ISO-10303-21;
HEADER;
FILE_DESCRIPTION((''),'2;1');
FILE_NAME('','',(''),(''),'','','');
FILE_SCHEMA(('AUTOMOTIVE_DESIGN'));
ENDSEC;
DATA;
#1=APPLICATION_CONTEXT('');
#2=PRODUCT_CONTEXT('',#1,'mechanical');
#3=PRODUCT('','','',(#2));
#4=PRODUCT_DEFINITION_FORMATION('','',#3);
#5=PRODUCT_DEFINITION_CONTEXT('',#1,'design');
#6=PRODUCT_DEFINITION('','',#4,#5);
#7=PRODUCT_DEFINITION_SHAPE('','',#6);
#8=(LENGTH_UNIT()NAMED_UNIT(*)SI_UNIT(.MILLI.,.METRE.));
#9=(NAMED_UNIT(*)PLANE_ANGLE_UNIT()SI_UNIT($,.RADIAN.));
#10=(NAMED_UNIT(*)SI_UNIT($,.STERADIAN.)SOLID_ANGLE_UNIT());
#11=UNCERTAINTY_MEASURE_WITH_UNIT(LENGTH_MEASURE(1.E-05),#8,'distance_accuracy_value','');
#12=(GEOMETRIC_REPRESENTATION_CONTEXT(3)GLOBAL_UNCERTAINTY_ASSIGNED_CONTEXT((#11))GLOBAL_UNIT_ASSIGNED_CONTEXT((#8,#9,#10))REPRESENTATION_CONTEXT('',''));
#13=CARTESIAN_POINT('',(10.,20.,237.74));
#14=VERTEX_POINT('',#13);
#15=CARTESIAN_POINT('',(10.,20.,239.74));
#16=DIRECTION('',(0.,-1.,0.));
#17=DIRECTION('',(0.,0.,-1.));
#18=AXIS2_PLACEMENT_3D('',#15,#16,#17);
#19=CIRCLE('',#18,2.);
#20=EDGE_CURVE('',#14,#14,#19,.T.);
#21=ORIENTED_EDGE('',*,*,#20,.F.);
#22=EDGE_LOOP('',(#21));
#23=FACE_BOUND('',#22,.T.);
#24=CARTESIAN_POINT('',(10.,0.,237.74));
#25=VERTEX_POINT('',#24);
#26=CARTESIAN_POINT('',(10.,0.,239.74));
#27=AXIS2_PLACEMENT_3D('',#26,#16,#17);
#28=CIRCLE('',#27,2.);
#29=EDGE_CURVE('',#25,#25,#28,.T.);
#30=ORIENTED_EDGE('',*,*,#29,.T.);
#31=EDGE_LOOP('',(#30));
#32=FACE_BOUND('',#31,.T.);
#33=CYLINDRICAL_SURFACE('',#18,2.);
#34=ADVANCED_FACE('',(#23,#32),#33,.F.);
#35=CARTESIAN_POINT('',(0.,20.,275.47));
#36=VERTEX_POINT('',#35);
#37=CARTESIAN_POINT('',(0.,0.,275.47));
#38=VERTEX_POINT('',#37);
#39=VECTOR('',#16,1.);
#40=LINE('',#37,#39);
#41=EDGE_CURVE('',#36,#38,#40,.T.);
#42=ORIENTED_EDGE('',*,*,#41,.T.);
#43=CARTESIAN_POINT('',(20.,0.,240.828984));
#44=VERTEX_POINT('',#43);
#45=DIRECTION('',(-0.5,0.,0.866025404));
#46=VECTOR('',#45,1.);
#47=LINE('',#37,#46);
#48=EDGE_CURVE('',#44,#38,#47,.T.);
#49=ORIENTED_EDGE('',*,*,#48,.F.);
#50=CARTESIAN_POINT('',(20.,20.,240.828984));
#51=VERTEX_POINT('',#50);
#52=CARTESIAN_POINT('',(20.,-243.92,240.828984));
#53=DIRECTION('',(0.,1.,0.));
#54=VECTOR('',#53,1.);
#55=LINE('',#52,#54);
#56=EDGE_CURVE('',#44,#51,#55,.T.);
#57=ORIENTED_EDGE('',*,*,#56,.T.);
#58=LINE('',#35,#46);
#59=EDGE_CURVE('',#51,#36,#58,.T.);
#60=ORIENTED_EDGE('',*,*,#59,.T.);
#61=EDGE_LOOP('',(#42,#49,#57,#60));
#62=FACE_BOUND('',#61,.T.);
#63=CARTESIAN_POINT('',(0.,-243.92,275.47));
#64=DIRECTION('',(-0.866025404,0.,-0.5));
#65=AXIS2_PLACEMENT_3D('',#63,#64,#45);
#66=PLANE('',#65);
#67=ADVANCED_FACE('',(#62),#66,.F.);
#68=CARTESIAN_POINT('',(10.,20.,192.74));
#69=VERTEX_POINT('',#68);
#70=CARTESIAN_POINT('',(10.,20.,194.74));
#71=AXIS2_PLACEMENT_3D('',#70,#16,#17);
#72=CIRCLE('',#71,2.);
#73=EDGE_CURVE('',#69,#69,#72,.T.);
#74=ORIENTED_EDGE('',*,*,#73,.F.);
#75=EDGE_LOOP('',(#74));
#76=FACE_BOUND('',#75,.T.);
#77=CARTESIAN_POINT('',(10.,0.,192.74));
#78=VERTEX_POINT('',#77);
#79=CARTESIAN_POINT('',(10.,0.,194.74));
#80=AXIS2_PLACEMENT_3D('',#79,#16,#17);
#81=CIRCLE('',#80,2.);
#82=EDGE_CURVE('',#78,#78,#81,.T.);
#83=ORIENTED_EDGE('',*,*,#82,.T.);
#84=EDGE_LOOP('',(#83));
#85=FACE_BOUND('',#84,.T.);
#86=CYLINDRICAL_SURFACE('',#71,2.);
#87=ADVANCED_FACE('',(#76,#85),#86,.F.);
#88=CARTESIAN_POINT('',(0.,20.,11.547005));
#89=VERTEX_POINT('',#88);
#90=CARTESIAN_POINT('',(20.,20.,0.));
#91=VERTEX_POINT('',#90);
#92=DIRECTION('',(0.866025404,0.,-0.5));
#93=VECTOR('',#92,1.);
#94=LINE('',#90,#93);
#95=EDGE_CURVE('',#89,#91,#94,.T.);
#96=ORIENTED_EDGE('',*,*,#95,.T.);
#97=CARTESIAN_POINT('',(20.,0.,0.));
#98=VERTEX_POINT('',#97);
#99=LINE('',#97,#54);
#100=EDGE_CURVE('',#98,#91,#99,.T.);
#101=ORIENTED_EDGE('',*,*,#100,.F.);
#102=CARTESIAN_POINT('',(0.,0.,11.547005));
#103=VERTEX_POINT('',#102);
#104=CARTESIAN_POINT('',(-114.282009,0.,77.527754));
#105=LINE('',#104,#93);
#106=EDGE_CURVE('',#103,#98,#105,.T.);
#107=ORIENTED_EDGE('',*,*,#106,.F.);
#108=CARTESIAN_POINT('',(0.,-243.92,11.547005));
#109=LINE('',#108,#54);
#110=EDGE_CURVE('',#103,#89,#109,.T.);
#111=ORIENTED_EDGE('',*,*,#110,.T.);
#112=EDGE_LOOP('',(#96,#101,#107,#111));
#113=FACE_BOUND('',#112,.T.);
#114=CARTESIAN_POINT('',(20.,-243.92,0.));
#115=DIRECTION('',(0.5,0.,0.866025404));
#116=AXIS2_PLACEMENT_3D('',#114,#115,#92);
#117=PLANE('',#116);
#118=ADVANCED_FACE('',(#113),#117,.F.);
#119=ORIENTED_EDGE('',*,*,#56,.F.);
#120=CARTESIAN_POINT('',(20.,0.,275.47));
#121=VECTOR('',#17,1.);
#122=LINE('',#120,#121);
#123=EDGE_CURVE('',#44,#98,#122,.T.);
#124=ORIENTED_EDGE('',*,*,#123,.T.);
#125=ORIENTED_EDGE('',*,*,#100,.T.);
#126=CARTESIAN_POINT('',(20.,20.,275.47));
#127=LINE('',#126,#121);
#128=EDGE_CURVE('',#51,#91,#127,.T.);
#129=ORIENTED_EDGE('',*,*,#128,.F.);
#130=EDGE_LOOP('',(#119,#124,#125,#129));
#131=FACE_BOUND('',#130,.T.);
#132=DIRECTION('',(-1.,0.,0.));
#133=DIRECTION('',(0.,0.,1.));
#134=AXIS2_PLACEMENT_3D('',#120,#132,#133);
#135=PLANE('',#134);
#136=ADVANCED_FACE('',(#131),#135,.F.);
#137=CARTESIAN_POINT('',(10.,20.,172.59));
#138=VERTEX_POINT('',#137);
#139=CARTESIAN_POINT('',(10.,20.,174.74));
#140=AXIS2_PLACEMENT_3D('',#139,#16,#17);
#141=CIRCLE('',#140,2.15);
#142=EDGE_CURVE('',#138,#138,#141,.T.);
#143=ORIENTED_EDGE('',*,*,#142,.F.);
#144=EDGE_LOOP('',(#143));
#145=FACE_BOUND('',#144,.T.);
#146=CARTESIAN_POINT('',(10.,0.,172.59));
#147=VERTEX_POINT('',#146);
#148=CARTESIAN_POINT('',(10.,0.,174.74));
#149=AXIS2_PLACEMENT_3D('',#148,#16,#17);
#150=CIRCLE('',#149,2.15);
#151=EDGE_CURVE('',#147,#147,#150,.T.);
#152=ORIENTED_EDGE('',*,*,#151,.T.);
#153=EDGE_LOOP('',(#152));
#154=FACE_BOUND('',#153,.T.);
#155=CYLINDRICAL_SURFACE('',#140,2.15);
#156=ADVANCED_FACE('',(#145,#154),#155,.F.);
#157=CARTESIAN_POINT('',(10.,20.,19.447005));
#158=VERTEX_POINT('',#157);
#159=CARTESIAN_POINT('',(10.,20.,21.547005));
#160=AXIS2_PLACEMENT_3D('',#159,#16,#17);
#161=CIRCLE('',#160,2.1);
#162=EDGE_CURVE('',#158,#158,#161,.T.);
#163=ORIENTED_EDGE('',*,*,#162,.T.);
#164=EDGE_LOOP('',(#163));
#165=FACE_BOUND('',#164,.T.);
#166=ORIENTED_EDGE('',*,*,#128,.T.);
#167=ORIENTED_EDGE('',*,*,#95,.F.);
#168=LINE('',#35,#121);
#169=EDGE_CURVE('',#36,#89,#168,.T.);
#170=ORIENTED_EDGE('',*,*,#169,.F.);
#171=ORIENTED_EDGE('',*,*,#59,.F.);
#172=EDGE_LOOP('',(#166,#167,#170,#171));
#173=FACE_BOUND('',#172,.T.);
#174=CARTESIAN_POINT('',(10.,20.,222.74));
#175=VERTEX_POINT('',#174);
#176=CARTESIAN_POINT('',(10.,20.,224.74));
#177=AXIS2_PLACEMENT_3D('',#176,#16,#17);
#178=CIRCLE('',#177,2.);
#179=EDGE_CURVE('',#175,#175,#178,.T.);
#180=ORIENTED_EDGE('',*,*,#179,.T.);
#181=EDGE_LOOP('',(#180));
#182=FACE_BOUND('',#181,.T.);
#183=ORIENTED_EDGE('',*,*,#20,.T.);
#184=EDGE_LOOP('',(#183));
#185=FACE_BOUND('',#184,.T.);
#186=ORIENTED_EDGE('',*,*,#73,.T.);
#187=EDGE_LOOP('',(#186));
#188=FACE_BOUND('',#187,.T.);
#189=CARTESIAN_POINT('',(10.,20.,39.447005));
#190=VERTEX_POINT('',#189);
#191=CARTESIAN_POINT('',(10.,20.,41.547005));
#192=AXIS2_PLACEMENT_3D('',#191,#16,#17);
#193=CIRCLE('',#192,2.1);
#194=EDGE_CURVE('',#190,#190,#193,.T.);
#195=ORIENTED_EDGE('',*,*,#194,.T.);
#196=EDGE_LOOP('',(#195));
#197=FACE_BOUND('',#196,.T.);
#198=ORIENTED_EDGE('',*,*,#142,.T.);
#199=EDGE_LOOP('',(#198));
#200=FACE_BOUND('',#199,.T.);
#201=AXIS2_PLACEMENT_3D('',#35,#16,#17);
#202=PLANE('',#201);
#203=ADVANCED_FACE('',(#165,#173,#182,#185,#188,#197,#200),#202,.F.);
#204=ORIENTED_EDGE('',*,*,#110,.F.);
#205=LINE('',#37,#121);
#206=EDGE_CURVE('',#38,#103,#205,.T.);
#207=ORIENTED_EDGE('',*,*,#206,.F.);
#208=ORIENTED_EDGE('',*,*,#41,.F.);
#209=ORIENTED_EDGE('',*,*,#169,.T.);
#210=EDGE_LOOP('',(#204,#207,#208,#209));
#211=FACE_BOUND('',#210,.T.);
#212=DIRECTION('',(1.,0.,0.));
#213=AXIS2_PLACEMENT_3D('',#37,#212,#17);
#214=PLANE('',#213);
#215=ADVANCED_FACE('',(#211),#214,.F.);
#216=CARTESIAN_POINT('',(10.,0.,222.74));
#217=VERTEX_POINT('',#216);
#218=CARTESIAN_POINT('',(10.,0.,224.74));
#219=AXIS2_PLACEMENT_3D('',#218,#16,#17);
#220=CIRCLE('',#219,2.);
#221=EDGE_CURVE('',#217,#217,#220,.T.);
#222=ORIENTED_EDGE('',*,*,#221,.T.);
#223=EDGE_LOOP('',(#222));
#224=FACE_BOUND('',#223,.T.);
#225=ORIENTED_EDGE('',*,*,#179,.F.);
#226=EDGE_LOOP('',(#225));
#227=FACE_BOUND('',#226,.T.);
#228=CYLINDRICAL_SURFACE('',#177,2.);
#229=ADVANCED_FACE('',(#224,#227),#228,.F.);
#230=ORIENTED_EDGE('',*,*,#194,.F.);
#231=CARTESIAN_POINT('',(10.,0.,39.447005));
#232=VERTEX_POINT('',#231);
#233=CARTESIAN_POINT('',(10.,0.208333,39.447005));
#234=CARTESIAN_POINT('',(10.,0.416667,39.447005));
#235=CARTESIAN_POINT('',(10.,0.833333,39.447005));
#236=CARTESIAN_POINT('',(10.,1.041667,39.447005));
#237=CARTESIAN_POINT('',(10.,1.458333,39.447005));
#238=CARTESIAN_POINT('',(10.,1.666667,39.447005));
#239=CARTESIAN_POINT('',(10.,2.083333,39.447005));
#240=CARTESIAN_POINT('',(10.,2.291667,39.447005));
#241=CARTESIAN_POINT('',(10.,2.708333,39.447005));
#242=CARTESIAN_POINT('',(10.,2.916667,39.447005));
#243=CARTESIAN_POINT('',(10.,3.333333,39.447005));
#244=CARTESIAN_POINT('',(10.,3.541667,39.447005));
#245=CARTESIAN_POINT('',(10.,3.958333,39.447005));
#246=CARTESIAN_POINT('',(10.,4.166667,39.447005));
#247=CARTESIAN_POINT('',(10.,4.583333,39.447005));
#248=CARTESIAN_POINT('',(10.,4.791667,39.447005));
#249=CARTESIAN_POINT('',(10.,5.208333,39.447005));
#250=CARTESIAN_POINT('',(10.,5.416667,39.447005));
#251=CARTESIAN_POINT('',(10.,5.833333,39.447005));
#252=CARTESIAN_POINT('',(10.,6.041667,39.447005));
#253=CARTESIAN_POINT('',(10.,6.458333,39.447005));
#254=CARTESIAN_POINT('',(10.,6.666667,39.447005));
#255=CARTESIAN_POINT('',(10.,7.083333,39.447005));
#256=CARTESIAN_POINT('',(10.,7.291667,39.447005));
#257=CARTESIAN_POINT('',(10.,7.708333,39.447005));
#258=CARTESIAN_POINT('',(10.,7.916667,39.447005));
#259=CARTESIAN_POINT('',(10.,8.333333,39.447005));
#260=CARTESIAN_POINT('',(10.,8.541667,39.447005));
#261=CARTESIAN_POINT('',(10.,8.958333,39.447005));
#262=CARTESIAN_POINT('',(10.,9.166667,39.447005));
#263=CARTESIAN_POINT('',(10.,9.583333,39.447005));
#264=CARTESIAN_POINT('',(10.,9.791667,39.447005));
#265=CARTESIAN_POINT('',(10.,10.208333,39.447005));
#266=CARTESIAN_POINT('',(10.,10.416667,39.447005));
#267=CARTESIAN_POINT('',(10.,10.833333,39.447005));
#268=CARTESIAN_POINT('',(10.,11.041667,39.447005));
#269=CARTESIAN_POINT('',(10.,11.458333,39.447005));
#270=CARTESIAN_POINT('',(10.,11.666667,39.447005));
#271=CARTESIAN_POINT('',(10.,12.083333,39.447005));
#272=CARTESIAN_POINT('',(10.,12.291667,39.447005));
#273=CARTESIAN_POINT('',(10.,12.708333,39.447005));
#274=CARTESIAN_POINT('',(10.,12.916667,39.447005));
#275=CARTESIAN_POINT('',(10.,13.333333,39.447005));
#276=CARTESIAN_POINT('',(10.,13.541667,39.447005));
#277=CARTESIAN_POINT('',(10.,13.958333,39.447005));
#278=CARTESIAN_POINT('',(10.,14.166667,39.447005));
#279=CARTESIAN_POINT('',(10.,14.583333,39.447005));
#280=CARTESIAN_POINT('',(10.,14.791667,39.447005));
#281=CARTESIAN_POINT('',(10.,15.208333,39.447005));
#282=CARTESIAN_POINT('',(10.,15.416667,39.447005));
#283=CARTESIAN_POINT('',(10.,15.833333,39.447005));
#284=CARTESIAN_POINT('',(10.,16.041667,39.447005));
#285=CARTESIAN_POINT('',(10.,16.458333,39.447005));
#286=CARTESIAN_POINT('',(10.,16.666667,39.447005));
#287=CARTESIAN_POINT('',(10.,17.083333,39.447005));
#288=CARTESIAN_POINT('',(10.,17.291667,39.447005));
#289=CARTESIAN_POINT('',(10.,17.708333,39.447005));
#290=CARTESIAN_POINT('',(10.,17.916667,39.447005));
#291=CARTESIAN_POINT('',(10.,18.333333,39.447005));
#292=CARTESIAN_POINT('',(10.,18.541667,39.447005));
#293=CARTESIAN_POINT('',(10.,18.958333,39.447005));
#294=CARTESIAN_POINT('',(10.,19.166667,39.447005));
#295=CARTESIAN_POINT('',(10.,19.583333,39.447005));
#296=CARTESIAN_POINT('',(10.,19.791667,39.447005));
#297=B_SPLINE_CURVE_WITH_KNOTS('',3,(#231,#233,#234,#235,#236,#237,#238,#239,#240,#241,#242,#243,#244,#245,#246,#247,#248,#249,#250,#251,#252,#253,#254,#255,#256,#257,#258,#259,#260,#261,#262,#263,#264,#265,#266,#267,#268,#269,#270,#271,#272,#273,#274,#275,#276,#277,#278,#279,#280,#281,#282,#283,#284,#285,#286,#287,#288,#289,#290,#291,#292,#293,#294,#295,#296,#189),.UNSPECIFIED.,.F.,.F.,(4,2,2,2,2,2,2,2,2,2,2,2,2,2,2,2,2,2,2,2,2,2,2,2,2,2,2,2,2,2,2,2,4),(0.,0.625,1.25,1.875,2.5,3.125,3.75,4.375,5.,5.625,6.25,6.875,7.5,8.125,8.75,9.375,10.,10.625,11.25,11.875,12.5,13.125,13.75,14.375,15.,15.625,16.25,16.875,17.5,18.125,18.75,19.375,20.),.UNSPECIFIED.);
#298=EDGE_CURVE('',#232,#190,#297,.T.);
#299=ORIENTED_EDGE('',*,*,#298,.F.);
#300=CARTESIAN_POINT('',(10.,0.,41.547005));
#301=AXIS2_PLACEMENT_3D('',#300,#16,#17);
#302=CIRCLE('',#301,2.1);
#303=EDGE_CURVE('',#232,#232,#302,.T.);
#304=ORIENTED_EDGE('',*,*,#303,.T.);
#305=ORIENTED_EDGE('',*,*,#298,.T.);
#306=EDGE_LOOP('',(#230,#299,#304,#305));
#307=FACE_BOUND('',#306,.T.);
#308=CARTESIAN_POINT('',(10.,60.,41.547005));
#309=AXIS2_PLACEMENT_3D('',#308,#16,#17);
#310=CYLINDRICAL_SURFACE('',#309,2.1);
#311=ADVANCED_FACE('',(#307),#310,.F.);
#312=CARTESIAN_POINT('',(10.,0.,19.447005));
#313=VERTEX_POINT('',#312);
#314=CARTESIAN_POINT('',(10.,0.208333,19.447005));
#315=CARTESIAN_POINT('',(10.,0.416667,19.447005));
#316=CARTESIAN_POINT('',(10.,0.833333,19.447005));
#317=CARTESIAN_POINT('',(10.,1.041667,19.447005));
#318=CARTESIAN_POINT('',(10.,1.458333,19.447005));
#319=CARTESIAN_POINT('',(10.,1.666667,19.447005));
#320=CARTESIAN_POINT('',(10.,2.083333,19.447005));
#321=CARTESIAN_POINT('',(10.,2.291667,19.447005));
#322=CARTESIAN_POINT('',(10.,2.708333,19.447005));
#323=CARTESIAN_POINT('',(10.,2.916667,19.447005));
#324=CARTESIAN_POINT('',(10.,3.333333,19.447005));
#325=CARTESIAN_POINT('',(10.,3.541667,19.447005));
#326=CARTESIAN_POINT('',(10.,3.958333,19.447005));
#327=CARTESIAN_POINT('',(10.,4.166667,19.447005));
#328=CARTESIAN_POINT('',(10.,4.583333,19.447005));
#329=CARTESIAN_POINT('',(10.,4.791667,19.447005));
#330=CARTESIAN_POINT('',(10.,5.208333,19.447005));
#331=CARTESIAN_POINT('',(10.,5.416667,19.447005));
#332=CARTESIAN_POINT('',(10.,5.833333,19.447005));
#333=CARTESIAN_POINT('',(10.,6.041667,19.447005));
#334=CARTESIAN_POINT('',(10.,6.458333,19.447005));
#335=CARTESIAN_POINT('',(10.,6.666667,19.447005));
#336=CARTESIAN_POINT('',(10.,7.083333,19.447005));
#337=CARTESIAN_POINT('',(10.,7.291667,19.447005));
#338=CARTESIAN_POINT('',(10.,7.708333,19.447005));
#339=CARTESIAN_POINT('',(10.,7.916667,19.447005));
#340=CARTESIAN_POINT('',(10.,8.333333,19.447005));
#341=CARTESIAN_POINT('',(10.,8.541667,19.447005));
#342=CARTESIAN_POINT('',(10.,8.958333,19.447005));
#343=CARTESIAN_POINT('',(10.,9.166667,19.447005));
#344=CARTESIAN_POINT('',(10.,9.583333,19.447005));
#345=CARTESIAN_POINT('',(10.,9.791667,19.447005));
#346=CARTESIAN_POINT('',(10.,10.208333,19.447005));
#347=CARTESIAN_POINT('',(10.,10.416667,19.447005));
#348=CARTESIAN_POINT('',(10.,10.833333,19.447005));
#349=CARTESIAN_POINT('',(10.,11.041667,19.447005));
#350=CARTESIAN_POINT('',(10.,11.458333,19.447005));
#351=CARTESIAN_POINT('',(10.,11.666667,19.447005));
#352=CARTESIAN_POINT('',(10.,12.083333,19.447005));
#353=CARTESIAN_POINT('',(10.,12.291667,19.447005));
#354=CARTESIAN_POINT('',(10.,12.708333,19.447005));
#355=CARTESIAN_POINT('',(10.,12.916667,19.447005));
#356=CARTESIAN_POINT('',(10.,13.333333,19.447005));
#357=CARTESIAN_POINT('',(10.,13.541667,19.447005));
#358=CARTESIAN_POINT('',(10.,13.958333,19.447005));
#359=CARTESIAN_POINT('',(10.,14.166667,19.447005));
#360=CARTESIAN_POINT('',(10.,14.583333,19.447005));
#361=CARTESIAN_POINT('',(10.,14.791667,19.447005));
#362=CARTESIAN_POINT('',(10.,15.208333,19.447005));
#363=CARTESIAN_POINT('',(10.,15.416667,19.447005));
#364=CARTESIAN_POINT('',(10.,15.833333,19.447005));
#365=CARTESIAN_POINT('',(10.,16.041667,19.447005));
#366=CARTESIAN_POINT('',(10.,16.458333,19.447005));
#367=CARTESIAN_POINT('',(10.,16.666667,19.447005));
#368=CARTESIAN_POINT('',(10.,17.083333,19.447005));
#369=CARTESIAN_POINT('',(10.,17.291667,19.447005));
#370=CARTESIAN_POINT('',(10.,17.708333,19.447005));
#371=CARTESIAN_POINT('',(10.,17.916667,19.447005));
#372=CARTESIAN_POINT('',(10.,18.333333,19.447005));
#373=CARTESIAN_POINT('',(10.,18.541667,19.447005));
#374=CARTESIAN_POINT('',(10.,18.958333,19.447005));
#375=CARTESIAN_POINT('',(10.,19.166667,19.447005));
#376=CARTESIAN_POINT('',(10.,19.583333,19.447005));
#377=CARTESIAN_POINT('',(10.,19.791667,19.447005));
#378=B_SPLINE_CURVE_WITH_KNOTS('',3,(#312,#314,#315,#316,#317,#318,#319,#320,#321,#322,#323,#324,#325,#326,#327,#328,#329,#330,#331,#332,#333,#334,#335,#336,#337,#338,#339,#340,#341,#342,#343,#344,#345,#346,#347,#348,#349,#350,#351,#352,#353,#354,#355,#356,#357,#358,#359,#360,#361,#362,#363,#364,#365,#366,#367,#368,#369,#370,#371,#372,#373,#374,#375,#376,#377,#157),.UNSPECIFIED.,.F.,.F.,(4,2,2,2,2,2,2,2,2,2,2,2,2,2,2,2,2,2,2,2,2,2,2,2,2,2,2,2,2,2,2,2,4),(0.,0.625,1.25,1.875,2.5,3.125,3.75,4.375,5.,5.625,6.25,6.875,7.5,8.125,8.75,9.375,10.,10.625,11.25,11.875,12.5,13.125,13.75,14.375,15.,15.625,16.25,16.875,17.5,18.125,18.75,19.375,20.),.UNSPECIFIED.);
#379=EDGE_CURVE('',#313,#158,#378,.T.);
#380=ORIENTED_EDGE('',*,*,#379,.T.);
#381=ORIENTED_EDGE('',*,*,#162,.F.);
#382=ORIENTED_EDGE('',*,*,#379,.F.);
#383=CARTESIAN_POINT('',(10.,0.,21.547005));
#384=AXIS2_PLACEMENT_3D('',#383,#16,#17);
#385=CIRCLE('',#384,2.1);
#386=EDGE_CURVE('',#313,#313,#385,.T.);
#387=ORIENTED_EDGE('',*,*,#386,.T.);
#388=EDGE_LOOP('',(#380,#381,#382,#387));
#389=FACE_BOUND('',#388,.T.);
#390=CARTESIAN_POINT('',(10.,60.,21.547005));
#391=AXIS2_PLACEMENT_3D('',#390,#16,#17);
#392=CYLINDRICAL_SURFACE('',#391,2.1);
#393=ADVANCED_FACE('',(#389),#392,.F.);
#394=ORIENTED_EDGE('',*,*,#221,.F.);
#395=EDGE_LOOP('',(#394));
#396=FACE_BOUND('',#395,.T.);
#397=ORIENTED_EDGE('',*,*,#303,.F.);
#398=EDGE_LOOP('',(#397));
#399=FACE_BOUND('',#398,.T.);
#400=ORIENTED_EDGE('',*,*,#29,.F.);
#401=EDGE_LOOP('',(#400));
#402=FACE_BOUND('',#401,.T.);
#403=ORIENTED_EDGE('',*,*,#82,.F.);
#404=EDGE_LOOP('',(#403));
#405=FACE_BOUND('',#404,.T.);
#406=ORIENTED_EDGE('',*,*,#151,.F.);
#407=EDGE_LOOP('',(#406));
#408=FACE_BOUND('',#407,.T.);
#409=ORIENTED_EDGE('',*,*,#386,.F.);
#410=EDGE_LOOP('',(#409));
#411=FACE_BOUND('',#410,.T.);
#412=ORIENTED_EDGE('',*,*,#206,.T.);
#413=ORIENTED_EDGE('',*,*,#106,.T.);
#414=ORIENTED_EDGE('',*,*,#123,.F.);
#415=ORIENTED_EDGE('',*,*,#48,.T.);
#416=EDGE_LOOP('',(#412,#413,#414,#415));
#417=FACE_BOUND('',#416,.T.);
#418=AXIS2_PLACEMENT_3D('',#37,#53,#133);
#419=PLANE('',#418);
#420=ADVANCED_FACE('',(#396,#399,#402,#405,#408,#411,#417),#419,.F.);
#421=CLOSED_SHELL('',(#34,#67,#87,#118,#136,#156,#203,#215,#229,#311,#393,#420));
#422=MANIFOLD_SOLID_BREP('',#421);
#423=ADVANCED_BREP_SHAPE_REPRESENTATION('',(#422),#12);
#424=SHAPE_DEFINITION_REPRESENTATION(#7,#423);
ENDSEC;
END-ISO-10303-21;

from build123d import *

# Parameters (mm, degrees)
SKETCH_1_W               = 20
SKETCH_1_H               = 20
EXTRUDE_1_DEPTH          = 275.47
CUT_EXTRUDE_1_DEPTH      = 263.92
CUT_EXTRUDE_2_DEPTH      = 277.918256711
CUT_EXTRUDE_2_DEPTH_BACK = 277.918256711
SKETCH_3_R               = 2
SKETCH_3_R_2             = 2.15
SKETCH_4_R               = 2.1
CUT_EXTRUDE_3_DEPTH      = 60


with BuildPart() as part:
    # 草图1 → 凸台-拉伸1 (new body)
    with BuildSketch(Plane.XY):
        with Locations((10, 10)):
            Rectangle(SKETCH_1_W, SKETCH_1_H)
    extrude(amount=EXTRUDE_1_DEPTH)

    # 草图2 → 切除-拉伸1 (cut)
    with BuildSketch(Plane(origin=(0, 20, 0), x_dir=(1, 0, 0), z_dir=(0, 1, 0))):
        Polygon((0, -275.47), (20, -240.828983849), (20, -275.47), align=None)
        Polygon((20, 0), (0, -11.547005384), (0, 0), align=None)
    extrude(amount=-CUT_EXTRUDE_1_DEPTH, mode=Mode.SUBTRACT)

    # 草图3 → 切除-拉伸2 (cut, two sides: drawn at the far end of the back side and taken through both)
    with BuildSketch(Plane.XZ.offset(-CUT_EXTRUDE_2_DEPTH_BACK)):
        with Locations(Location((10, 239.74, 0), (0, 0, 270))):
            Circle(SKETCH_3_R)
        with Locations(Location((10, 224.74, 0), (0, 0, 270))):
            Circle(SKETCH_3_R)
        with Locations(Location((10, 194.74, 0), (0, 0, 270))):
            Circle(SKETCH_3_R)
        with Locations(Location((10, 174.74, 0), (0, 0, 270))):
            Circle(SKETCH_3_R_2)
    extrude(amount=CUT_EXTRUDE_2_DEPTH + CUT_EXTRUDE_2_DEPTH_BACK, mode=Mode.SUBTRACT)

    # 草图4 → 切除-拉伸3 (cut)
    with BuildSketch(Plane.XZ):
        with Locations(Location((10, 21.547005384, 0), (0, 0, 270))):
            Circle(SKETCH_4_R)
        with Locations(Location((10, 41.547005384, 0), (0, 0, 270))):
            Circle(SKETCH_4_R)
    extrude(amount=-CUT_EXTRUDE_3_DEPTH, mode=Mode.SUBTRACT)


solid = part.part
